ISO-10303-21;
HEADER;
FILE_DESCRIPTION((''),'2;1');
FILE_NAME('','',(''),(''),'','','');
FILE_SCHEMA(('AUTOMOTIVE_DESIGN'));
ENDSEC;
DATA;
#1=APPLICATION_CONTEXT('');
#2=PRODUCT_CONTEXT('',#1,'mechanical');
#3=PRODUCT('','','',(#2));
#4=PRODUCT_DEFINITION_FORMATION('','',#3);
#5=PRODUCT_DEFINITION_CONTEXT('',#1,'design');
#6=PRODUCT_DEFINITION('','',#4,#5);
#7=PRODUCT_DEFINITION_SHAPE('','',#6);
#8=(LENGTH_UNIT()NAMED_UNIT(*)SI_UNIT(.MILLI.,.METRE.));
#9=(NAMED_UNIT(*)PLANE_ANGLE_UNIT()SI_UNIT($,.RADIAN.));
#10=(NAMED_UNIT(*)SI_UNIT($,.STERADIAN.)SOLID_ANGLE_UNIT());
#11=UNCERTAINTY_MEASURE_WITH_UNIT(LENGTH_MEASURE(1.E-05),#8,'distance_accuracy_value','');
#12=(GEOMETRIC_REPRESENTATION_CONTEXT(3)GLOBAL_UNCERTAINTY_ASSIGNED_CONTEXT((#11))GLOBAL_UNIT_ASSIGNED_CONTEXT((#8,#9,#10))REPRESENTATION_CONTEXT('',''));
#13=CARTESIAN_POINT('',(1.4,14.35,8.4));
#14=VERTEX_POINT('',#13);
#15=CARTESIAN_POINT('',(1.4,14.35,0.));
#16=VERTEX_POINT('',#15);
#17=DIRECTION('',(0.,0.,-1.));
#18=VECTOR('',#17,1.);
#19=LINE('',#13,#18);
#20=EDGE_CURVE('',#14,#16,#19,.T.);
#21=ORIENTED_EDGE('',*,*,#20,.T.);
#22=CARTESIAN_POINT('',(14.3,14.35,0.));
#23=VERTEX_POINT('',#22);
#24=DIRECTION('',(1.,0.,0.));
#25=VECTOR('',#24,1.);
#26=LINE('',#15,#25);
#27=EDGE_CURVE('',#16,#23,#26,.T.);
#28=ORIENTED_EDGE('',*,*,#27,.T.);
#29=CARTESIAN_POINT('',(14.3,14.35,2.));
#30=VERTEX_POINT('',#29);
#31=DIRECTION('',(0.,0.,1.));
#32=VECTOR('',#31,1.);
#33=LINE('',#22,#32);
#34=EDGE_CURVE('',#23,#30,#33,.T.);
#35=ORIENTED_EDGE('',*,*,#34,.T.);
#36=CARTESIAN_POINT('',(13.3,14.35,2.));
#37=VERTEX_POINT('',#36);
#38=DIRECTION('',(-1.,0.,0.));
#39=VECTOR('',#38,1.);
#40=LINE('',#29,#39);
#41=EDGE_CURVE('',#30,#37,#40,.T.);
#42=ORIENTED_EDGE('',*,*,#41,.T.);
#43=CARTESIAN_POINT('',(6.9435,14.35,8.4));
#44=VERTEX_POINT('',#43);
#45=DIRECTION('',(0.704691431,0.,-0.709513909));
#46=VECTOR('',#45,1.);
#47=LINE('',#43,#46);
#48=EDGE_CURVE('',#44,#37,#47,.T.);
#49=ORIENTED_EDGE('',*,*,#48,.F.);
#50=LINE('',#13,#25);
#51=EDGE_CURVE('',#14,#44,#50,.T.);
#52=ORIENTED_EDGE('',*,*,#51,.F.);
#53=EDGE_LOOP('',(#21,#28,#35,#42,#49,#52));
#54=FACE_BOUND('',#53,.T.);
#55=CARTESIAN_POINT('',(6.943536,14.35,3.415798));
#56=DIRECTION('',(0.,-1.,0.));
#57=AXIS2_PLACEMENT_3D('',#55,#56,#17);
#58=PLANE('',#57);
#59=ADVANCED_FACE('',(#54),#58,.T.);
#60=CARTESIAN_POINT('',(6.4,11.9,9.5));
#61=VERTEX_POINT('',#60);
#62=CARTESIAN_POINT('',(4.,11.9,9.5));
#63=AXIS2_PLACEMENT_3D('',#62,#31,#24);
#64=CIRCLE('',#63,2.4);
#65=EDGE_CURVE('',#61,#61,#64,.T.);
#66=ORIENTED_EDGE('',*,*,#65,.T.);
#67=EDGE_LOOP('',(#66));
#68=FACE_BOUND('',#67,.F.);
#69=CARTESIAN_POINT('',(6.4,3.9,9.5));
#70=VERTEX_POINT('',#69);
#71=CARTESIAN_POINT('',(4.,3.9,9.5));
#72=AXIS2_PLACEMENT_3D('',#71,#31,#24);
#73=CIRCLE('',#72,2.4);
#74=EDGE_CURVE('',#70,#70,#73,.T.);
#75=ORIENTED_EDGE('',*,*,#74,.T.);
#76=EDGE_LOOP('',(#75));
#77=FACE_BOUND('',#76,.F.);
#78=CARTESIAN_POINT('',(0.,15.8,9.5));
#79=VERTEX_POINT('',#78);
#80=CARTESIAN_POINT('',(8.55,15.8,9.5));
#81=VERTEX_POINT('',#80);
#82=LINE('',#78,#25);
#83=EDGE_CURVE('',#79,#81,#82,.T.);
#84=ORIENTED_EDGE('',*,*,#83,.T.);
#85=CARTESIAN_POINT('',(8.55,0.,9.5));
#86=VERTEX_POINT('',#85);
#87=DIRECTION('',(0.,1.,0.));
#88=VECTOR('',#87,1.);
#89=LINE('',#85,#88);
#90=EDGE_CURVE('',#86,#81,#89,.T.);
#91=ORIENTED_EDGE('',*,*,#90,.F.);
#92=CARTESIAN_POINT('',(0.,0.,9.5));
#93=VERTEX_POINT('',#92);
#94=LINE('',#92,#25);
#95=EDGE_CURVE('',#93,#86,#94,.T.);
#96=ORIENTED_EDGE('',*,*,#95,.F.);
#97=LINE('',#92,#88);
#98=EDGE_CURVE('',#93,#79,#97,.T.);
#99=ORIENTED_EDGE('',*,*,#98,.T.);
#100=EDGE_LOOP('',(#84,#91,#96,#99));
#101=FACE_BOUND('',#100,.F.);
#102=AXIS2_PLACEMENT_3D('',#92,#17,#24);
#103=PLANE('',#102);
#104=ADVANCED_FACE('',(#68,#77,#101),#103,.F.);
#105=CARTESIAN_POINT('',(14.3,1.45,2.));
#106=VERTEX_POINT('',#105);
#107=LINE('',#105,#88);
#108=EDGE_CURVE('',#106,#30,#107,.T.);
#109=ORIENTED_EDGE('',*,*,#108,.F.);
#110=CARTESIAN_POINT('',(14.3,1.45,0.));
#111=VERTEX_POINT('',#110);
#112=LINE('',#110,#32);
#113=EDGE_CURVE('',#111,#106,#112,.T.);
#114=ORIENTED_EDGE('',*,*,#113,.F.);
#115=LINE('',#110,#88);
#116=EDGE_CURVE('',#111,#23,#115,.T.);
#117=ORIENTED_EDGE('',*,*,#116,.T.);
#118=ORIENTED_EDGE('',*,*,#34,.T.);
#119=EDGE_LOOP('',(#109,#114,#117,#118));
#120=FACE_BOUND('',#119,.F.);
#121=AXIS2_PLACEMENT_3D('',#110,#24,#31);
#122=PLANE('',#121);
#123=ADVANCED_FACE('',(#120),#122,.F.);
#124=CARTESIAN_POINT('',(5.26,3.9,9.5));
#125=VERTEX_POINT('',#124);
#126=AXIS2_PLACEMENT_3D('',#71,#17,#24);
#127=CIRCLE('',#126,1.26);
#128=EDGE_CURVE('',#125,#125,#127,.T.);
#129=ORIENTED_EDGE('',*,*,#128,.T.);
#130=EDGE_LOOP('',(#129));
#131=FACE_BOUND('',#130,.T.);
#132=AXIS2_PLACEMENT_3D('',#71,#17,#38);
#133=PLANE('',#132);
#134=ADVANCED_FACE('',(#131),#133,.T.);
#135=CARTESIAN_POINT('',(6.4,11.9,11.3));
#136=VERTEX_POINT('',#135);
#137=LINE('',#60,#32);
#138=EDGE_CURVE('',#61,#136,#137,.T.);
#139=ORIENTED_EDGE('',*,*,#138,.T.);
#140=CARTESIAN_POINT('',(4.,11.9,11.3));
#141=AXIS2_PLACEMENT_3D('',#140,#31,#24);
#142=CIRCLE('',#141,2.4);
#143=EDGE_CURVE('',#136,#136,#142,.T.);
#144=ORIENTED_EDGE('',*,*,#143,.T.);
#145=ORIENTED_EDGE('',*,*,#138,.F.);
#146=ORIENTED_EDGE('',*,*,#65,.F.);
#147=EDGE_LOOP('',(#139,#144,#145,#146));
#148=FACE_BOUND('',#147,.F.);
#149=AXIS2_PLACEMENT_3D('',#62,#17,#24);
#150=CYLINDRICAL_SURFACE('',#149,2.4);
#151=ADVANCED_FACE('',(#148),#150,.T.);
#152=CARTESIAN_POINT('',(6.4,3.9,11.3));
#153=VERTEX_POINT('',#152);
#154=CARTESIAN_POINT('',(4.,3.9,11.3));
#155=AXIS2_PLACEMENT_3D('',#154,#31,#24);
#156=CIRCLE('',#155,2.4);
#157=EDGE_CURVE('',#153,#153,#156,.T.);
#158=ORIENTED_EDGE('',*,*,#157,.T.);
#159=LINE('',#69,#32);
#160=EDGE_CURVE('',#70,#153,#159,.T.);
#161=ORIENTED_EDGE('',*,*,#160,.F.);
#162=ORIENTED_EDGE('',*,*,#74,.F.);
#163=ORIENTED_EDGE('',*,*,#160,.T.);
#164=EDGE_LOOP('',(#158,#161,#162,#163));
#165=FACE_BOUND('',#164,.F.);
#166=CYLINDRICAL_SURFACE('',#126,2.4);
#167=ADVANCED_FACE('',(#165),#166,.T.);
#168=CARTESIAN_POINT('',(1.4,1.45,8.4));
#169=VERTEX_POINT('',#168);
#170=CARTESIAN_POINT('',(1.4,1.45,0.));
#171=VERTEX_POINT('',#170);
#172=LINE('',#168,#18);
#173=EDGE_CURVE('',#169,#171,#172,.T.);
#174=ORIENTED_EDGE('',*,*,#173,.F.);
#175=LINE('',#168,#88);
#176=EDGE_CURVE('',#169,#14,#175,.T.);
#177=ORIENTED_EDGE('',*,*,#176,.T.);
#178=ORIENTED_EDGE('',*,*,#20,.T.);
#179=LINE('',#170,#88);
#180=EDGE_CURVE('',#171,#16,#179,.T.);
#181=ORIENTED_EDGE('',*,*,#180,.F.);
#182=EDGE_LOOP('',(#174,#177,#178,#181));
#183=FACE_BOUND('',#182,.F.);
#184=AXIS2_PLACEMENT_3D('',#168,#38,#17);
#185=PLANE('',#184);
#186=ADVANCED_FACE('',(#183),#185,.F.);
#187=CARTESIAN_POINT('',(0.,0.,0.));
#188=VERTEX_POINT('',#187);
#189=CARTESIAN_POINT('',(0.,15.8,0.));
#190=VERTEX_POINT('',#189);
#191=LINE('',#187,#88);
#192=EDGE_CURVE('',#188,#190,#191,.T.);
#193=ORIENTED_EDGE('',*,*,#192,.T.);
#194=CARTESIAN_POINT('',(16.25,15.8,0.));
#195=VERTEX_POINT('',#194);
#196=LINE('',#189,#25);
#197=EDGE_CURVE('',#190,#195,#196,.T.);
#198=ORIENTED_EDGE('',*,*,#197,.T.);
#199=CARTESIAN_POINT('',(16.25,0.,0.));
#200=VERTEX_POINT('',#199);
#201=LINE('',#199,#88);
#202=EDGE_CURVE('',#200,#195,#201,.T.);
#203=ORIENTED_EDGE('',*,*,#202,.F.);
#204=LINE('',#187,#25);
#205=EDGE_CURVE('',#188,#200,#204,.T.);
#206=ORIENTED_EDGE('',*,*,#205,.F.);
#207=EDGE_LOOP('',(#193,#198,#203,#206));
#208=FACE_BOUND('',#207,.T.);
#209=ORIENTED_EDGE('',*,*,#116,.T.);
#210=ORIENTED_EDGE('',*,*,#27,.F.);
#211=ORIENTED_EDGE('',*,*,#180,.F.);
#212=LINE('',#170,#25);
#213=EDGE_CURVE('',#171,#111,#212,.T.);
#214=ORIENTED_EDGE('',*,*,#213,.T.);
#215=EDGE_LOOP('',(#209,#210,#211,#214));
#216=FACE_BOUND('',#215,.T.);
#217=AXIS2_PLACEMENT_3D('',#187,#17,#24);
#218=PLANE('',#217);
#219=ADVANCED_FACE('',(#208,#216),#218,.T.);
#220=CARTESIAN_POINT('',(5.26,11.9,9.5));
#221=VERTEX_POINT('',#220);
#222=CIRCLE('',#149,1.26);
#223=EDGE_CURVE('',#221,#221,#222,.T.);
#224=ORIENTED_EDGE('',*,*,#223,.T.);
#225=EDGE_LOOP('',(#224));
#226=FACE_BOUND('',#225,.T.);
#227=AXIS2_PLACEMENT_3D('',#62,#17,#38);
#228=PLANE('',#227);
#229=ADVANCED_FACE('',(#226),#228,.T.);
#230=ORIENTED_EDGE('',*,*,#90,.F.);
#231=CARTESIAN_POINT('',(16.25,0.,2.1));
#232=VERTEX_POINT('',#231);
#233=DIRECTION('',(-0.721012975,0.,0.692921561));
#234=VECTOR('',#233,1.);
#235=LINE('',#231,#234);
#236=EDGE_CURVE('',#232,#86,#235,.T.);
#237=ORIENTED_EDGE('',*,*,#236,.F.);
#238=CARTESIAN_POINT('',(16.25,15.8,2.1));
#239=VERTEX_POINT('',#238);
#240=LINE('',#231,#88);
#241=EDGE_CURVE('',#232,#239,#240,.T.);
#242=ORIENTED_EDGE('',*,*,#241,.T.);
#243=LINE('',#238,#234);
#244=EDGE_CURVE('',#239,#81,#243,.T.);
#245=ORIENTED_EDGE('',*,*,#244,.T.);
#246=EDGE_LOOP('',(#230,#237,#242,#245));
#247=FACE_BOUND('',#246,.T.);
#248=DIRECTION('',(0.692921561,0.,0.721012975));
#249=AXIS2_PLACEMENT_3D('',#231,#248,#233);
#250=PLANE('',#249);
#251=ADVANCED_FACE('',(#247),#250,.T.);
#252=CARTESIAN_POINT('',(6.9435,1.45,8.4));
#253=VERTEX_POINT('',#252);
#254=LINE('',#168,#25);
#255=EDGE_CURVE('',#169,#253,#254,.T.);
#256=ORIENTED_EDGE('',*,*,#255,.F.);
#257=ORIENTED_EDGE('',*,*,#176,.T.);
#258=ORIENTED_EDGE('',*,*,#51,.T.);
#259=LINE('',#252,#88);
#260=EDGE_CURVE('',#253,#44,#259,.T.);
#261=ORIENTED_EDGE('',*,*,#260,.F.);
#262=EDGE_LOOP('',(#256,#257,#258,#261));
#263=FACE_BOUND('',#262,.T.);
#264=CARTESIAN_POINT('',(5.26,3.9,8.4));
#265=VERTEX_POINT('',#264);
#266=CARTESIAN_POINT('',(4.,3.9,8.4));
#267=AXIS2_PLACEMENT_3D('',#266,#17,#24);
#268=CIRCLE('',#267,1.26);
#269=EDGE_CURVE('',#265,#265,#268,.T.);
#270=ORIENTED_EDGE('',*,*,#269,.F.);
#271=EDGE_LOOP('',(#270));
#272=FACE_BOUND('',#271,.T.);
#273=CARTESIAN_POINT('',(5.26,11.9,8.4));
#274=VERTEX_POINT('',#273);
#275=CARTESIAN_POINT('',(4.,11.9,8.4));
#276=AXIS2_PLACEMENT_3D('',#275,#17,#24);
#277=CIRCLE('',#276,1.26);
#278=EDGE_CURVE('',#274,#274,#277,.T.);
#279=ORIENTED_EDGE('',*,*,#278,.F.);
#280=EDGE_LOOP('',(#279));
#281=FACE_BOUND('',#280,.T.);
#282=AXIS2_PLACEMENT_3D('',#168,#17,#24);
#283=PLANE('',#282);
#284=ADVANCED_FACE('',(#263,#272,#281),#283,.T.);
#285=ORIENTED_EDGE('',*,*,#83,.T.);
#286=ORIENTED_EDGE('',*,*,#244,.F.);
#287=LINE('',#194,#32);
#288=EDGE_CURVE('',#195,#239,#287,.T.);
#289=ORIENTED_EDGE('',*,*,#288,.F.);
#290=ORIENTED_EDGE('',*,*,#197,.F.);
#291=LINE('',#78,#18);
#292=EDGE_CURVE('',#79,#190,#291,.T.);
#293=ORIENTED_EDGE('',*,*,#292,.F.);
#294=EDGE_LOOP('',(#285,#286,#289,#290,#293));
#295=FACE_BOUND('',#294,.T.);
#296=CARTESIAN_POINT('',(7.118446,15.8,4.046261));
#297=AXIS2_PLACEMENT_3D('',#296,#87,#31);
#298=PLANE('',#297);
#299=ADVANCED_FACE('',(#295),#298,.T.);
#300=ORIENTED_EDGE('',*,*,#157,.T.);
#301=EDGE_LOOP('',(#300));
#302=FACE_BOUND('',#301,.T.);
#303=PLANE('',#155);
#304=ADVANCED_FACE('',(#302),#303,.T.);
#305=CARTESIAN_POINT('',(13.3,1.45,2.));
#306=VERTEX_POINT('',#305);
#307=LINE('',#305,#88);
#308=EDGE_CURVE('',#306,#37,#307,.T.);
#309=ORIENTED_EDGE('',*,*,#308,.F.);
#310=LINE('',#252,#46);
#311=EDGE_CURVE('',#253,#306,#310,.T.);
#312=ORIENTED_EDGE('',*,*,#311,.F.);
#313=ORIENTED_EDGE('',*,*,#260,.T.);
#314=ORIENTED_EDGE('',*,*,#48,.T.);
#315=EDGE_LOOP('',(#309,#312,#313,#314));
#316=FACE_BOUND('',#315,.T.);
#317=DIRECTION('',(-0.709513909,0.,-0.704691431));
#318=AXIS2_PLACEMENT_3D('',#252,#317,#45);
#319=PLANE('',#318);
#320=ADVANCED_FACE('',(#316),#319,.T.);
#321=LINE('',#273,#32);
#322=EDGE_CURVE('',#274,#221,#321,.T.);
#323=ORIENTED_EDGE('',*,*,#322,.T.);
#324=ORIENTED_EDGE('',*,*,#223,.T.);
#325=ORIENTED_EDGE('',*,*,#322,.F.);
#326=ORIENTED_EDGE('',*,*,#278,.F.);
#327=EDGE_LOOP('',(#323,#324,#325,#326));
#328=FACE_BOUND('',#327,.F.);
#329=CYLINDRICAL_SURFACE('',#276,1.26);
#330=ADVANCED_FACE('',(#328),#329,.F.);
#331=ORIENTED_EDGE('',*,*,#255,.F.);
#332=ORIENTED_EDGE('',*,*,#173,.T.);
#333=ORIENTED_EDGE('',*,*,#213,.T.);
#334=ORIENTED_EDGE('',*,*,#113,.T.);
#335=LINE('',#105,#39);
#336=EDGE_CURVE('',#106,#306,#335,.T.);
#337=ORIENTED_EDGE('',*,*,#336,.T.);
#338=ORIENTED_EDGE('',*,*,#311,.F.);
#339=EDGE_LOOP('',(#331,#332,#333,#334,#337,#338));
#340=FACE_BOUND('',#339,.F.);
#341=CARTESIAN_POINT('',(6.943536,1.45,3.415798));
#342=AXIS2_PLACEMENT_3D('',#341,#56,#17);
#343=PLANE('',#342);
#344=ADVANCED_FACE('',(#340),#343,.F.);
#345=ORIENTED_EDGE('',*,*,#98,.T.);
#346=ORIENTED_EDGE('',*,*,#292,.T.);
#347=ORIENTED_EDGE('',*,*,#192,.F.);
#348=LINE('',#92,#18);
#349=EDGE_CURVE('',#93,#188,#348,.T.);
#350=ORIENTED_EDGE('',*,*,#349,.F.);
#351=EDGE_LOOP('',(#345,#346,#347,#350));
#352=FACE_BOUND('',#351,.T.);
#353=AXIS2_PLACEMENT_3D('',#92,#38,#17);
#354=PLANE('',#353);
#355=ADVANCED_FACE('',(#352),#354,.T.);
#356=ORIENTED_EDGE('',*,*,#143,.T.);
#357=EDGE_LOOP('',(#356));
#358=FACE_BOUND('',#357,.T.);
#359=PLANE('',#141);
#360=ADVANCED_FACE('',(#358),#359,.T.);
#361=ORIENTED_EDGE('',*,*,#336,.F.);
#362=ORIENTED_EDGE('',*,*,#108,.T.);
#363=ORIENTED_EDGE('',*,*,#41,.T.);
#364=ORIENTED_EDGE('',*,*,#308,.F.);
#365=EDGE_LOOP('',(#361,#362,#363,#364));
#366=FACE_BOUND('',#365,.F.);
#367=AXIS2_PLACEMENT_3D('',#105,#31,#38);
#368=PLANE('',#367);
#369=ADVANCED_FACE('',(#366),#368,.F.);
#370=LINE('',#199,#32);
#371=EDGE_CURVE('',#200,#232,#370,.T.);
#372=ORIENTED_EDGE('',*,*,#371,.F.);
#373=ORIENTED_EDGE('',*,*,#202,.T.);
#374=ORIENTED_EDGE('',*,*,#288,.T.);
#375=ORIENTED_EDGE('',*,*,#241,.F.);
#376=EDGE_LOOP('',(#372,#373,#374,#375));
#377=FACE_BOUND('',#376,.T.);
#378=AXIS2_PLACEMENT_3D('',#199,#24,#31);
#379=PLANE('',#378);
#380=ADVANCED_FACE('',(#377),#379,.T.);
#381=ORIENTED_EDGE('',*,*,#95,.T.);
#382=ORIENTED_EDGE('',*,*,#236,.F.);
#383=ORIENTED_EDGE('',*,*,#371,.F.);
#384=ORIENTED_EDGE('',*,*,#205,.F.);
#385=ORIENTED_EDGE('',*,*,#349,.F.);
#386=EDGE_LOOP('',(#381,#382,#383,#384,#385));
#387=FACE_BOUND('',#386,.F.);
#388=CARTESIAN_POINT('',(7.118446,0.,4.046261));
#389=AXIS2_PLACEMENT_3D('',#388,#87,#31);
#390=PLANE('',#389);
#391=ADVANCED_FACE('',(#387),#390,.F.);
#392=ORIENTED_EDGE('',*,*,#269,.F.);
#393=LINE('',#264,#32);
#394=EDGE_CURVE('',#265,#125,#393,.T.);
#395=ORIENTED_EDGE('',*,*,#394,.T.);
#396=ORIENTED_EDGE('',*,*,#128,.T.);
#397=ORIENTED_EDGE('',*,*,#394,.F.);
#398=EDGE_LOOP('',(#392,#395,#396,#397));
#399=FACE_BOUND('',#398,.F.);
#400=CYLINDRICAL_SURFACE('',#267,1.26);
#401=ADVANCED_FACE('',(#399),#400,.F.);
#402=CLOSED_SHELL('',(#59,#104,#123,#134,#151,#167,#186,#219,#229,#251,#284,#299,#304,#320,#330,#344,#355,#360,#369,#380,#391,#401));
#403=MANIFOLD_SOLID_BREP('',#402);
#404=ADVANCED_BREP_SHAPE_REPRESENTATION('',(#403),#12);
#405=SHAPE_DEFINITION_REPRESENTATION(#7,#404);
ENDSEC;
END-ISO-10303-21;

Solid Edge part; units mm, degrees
sketch "Sketch1" plane through (0, 0, 0) normal (0, -1, 0) x (1, 0, 0)
  line L0 (0, 9.5) -> (8.55, 9.5)
  line L1 (16.25, 2.1) -> (8.55, 9.5)
  line L2 (16.25, 0) -> (16.25, 2.1)
  line L3 (0, 0) -> (16.25, 0)
  line L4 (0, 9.5) -> (0, 0)
  dimension "D1" = 8.55
  dimension "D2" = 2.1
extrude "Protrusion1" add sketch "Sketch1" against normal blind 15.8
sketch "Sketch2" plane through (8.125, 1.45, 4.75) normal (0, -1, 0) x (1, 0, 0)
  line L0 (6.175, -4.75) -> (6.175, -2.75)
  line L1 (6.175, -2.75) -> (5.175, -2.75)
  line L2 (-1.1815, 3.65) -> (5.175, -2.75)
  line L3 (-6.725, 3.65) -> (-1.1815, 3.65)
  line L4 (-6.725, 3.65) -> (-6.725, -4.75)
  line L5 (-6.725, -4.75) -> (6.175, -4.75)
  dimension "D1" = 2
  dimension "D2" = 1
extrude "ExtrudedCutout_1" cut sketch "Sketch2" against normal blind 12.9
sketch "Sketch3" plane through (4.275, 7.9, 9.5) normal (0, 0, 1) x (1, 0, 0)
  circle A0 centre (-0.275, 4) radius 2.4
  circle A1 centre (-0.275, -4) radius 2.4
  dimension "D1" = 4.8
  dimension "D2" = 4.8
extrude "ExtrudedProtrusion_2" add sketch "Sketch3" along normal blind 1.8
sketch "Sketch4" plane through (4.1717, 7.9, 8.4) normal (0, 0, -1) x (1, 0, 0)
  circle A0 centre (-0.1717, -4) radius 1.26
  circle A1 centre (-0.1717, 4) radius 1.26
  dimension "D1" = 2.52
  dimension "D2" = 2.52
extrude "Cutout1" cut sketch "Sketch4" against normal up to vertex (1.1 mm away)
